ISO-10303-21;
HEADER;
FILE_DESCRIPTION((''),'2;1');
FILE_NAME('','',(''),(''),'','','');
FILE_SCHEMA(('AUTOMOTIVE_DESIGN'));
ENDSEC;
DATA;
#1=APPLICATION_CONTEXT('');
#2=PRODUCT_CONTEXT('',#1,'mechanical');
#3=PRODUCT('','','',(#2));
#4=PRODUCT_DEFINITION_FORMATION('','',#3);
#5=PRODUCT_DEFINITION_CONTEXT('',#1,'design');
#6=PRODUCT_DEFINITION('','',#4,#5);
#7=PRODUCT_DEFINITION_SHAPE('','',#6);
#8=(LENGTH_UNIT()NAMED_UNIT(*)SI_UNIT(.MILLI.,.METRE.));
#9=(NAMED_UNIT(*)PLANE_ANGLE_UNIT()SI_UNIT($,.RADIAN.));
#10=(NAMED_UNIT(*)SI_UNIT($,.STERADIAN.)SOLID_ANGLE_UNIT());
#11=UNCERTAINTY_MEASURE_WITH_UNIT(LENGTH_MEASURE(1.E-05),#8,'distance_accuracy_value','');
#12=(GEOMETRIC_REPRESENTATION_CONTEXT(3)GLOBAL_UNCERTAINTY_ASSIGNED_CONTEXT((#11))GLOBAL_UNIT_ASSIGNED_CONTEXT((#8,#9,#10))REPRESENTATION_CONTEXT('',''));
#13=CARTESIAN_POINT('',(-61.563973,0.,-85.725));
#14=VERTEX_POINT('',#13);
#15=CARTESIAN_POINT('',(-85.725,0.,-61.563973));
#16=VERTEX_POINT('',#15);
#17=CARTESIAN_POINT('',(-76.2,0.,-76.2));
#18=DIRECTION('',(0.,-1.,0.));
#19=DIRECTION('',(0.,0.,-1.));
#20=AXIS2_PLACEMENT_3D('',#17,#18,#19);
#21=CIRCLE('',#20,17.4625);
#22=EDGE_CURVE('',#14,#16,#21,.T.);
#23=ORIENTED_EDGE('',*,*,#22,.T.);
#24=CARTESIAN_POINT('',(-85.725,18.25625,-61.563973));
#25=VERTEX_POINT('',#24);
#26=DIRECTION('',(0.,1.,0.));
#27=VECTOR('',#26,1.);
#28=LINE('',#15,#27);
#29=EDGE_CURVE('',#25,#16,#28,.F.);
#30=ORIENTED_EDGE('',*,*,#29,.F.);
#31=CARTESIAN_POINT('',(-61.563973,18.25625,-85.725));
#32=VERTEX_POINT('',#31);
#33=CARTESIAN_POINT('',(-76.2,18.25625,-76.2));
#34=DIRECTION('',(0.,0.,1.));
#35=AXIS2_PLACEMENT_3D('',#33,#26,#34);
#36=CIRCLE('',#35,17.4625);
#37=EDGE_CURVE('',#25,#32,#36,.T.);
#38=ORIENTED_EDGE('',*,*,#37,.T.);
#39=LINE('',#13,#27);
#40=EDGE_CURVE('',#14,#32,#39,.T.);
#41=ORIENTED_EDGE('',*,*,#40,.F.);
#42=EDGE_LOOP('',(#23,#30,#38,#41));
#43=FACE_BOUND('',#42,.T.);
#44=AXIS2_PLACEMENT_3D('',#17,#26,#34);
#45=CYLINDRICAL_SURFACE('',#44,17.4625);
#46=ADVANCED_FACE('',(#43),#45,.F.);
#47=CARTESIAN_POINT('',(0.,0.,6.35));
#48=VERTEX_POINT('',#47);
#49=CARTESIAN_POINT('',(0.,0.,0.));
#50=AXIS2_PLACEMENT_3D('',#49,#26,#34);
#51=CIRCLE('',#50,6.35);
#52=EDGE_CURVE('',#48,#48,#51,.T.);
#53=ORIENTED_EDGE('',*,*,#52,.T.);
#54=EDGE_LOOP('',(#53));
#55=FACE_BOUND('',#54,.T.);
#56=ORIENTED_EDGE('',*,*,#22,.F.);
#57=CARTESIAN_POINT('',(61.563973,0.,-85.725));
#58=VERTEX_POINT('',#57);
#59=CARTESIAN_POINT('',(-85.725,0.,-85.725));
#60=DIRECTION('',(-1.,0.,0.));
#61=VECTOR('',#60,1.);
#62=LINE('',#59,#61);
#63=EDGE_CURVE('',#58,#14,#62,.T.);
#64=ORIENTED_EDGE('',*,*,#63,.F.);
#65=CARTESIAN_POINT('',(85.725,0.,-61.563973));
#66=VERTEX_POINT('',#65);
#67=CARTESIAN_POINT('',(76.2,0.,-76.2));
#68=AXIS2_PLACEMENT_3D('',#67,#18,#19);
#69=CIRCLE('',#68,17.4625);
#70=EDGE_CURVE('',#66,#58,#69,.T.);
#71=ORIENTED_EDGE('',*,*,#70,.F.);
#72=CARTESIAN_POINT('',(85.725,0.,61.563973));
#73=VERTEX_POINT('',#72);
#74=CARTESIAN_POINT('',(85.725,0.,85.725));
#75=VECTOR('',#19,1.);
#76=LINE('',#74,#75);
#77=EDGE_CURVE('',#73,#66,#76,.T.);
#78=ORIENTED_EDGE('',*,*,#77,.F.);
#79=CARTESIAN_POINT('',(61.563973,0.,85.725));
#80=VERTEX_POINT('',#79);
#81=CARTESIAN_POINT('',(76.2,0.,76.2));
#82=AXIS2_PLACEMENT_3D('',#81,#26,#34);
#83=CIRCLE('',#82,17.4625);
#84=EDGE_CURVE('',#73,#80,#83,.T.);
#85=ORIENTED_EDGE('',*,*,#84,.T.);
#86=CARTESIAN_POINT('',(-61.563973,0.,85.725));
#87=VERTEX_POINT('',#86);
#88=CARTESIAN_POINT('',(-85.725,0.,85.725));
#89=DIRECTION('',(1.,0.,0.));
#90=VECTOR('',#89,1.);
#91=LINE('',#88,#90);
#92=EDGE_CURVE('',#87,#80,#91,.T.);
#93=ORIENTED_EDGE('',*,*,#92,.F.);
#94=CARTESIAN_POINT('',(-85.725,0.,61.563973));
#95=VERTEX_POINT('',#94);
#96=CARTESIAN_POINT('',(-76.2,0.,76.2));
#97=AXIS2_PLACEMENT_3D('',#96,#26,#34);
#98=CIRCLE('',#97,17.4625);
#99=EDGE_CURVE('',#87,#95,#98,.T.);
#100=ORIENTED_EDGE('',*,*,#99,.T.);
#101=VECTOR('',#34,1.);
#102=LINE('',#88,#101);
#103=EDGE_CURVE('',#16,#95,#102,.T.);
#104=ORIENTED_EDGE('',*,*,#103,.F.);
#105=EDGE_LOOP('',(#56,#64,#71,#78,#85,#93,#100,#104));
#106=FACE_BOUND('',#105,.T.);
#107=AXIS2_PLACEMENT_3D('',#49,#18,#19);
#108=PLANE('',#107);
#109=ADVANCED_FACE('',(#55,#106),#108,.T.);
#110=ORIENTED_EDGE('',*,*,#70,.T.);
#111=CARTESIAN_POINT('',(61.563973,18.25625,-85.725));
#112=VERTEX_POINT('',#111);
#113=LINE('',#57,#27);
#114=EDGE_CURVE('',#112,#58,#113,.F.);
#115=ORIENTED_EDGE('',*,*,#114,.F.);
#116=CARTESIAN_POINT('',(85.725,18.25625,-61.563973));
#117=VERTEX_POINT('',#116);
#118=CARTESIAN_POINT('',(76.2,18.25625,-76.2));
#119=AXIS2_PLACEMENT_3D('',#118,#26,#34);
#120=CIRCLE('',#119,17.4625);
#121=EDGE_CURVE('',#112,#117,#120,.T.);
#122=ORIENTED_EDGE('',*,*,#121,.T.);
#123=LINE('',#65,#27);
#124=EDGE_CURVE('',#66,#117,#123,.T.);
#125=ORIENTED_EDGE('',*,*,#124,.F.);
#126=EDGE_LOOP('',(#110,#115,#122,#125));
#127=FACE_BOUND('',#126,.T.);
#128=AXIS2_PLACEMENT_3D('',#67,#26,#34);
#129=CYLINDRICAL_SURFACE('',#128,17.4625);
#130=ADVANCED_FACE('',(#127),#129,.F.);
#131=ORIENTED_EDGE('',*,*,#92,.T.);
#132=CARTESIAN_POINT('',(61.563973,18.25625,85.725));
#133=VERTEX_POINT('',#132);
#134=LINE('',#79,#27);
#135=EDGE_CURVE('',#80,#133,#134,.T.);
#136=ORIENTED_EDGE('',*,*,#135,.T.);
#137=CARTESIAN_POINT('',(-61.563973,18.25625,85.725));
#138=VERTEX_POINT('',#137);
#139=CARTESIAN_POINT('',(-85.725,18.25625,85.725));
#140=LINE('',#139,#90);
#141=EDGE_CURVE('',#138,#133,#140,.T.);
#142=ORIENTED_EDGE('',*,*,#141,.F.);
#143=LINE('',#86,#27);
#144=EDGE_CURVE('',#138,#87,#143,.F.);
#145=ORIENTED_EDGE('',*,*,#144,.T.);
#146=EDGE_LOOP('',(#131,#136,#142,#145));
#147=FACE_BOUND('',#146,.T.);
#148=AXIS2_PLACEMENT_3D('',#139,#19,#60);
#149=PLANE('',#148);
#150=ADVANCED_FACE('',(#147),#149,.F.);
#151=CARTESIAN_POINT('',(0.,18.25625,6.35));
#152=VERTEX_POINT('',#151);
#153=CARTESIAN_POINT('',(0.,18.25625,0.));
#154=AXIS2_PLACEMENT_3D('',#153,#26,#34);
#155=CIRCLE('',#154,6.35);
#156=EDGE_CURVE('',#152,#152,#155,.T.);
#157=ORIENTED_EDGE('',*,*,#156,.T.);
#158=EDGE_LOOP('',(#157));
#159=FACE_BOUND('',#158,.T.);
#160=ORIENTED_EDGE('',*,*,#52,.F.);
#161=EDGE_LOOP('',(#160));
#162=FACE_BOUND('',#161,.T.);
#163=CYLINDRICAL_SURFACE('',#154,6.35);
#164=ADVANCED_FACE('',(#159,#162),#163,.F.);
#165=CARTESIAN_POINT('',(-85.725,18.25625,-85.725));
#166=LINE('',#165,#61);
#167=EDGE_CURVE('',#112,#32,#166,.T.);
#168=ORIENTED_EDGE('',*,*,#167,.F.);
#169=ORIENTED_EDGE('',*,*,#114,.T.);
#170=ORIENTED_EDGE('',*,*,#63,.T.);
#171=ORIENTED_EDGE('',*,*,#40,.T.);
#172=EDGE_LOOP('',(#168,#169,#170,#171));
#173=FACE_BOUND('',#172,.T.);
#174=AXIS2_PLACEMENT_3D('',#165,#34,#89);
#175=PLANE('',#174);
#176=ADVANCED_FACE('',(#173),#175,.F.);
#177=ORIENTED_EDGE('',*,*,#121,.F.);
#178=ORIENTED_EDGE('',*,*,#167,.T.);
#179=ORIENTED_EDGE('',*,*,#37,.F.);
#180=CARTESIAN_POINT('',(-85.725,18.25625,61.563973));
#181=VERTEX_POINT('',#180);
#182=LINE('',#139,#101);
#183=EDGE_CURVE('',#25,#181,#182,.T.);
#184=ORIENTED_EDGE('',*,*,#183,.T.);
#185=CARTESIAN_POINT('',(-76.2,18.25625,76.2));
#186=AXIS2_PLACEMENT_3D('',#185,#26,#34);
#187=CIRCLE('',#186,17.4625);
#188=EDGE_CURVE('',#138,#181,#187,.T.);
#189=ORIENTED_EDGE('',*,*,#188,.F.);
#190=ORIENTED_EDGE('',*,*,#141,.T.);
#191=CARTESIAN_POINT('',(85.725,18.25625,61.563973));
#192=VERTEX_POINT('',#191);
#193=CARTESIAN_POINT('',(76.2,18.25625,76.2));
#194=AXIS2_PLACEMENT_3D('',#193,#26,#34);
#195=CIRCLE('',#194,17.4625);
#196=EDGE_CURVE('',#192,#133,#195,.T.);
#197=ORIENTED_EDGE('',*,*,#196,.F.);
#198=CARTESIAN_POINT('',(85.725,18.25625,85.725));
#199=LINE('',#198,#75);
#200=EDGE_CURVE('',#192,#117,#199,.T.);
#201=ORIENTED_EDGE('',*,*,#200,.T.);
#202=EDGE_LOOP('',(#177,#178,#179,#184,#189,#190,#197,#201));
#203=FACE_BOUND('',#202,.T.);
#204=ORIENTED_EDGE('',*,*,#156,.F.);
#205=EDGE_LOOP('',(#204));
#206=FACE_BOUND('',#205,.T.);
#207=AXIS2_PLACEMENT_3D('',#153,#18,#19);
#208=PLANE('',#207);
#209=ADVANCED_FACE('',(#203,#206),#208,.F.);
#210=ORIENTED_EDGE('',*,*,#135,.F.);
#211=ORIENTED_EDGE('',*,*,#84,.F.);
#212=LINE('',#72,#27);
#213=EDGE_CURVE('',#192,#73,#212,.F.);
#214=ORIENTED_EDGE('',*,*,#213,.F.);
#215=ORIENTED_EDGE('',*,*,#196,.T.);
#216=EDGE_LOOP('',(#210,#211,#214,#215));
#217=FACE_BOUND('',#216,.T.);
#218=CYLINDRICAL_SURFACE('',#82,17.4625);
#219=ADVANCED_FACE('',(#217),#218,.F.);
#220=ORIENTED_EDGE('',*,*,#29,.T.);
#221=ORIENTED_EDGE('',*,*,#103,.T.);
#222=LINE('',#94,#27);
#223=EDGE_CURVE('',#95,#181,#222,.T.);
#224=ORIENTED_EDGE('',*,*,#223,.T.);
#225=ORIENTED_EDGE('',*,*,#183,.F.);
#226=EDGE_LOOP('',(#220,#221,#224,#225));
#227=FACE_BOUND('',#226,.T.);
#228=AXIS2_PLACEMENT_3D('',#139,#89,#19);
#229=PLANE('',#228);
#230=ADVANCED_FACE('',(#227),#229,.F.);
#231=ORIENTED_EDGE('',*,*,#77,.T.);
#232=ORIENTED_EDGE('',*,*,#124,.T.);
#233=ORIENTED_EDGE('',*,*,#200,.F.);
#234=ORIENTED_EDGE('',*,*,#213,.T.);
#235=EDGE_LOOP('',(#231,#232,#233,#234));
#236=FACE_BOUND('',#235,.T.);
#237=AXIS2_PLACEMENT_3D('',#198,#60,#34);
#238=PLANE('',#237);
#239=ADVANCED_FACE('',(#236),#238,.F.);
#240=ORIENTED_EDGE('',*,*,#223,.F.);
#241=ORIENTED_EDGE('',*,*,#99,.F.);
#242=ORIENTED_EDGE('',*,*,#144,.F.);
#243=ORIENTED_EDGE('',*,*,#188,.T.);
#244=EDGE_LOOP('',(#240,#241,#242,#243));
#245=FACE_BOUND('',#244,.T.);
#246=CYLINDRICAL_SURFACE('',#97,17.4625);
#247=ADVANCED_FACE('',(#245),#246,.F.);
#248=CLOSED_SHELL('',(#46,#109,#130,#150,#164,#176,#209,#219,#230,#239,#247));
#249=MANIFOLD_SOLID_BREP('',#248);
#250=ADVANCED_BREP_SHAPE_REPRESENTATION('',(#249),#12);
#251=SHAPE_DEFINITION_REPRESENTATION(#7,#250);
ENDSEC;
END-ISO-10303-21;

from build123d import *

# Parameters (mm, degrees)
SKETCH1_W                  = 171.45
SKETCH1_H                  = 171.45
BOSS_EXTRUDE1_DEPTH        = 18.25625
SKETCH2_R                  = 17.4625
CUT_EXTRUDE1_DEPTH         = 123.60033407
F_1_2_0_5_DIAMETER_HOLE1_D = 12.7


with BuildPart() as part:
    # Sketch1 → Boss-Extrude1 (new body)
    with BuildSketch(Plane(origin=(0, 0, 0), x_dir=(1, 0, 0), z_dir=(0, 1, 0))):
        Rectangle(SKETCH1_W, SKETCH1_H)
    extrude(amount=BOSS_EXTRUDE1_DEPTH)

    # Sketch2 → Cut-Extrude1 (cut, through all)
    with BuildSketch(Plane(origin=(0, 18.25625, 0), x_dir=(1, 0, 0), z_dir=(0, 1, 0))):
        with Locations((-76.2, 76.2)):
            Circle(SKETCH2_R)
        with Locations((76.2, 76.2)):
            Circle(SKETCH2_R)
        with Locations((76.2, -76.2)):
            Circle(SKETCH2_R)
        with Locations((-76.2, -76.2)):
            Circle(SKETCH2_R)
    extrude(amount=-CUT_EXTRUDE1_DEPTH, mode=Mode.SUBTRACT)

    # 1/2 (0.5) Diameter Hole1 (through all)
    with Locations(Plane(origin=(0, 18.25625, 0), x_dir=(1, 0, 0), z_dir=(0, 1, 0))):
        with Locations((0, 0)):
            Hole(F_1_2_0_5_DIAMETER_HOLE1_D / 2)


solid = part.part
